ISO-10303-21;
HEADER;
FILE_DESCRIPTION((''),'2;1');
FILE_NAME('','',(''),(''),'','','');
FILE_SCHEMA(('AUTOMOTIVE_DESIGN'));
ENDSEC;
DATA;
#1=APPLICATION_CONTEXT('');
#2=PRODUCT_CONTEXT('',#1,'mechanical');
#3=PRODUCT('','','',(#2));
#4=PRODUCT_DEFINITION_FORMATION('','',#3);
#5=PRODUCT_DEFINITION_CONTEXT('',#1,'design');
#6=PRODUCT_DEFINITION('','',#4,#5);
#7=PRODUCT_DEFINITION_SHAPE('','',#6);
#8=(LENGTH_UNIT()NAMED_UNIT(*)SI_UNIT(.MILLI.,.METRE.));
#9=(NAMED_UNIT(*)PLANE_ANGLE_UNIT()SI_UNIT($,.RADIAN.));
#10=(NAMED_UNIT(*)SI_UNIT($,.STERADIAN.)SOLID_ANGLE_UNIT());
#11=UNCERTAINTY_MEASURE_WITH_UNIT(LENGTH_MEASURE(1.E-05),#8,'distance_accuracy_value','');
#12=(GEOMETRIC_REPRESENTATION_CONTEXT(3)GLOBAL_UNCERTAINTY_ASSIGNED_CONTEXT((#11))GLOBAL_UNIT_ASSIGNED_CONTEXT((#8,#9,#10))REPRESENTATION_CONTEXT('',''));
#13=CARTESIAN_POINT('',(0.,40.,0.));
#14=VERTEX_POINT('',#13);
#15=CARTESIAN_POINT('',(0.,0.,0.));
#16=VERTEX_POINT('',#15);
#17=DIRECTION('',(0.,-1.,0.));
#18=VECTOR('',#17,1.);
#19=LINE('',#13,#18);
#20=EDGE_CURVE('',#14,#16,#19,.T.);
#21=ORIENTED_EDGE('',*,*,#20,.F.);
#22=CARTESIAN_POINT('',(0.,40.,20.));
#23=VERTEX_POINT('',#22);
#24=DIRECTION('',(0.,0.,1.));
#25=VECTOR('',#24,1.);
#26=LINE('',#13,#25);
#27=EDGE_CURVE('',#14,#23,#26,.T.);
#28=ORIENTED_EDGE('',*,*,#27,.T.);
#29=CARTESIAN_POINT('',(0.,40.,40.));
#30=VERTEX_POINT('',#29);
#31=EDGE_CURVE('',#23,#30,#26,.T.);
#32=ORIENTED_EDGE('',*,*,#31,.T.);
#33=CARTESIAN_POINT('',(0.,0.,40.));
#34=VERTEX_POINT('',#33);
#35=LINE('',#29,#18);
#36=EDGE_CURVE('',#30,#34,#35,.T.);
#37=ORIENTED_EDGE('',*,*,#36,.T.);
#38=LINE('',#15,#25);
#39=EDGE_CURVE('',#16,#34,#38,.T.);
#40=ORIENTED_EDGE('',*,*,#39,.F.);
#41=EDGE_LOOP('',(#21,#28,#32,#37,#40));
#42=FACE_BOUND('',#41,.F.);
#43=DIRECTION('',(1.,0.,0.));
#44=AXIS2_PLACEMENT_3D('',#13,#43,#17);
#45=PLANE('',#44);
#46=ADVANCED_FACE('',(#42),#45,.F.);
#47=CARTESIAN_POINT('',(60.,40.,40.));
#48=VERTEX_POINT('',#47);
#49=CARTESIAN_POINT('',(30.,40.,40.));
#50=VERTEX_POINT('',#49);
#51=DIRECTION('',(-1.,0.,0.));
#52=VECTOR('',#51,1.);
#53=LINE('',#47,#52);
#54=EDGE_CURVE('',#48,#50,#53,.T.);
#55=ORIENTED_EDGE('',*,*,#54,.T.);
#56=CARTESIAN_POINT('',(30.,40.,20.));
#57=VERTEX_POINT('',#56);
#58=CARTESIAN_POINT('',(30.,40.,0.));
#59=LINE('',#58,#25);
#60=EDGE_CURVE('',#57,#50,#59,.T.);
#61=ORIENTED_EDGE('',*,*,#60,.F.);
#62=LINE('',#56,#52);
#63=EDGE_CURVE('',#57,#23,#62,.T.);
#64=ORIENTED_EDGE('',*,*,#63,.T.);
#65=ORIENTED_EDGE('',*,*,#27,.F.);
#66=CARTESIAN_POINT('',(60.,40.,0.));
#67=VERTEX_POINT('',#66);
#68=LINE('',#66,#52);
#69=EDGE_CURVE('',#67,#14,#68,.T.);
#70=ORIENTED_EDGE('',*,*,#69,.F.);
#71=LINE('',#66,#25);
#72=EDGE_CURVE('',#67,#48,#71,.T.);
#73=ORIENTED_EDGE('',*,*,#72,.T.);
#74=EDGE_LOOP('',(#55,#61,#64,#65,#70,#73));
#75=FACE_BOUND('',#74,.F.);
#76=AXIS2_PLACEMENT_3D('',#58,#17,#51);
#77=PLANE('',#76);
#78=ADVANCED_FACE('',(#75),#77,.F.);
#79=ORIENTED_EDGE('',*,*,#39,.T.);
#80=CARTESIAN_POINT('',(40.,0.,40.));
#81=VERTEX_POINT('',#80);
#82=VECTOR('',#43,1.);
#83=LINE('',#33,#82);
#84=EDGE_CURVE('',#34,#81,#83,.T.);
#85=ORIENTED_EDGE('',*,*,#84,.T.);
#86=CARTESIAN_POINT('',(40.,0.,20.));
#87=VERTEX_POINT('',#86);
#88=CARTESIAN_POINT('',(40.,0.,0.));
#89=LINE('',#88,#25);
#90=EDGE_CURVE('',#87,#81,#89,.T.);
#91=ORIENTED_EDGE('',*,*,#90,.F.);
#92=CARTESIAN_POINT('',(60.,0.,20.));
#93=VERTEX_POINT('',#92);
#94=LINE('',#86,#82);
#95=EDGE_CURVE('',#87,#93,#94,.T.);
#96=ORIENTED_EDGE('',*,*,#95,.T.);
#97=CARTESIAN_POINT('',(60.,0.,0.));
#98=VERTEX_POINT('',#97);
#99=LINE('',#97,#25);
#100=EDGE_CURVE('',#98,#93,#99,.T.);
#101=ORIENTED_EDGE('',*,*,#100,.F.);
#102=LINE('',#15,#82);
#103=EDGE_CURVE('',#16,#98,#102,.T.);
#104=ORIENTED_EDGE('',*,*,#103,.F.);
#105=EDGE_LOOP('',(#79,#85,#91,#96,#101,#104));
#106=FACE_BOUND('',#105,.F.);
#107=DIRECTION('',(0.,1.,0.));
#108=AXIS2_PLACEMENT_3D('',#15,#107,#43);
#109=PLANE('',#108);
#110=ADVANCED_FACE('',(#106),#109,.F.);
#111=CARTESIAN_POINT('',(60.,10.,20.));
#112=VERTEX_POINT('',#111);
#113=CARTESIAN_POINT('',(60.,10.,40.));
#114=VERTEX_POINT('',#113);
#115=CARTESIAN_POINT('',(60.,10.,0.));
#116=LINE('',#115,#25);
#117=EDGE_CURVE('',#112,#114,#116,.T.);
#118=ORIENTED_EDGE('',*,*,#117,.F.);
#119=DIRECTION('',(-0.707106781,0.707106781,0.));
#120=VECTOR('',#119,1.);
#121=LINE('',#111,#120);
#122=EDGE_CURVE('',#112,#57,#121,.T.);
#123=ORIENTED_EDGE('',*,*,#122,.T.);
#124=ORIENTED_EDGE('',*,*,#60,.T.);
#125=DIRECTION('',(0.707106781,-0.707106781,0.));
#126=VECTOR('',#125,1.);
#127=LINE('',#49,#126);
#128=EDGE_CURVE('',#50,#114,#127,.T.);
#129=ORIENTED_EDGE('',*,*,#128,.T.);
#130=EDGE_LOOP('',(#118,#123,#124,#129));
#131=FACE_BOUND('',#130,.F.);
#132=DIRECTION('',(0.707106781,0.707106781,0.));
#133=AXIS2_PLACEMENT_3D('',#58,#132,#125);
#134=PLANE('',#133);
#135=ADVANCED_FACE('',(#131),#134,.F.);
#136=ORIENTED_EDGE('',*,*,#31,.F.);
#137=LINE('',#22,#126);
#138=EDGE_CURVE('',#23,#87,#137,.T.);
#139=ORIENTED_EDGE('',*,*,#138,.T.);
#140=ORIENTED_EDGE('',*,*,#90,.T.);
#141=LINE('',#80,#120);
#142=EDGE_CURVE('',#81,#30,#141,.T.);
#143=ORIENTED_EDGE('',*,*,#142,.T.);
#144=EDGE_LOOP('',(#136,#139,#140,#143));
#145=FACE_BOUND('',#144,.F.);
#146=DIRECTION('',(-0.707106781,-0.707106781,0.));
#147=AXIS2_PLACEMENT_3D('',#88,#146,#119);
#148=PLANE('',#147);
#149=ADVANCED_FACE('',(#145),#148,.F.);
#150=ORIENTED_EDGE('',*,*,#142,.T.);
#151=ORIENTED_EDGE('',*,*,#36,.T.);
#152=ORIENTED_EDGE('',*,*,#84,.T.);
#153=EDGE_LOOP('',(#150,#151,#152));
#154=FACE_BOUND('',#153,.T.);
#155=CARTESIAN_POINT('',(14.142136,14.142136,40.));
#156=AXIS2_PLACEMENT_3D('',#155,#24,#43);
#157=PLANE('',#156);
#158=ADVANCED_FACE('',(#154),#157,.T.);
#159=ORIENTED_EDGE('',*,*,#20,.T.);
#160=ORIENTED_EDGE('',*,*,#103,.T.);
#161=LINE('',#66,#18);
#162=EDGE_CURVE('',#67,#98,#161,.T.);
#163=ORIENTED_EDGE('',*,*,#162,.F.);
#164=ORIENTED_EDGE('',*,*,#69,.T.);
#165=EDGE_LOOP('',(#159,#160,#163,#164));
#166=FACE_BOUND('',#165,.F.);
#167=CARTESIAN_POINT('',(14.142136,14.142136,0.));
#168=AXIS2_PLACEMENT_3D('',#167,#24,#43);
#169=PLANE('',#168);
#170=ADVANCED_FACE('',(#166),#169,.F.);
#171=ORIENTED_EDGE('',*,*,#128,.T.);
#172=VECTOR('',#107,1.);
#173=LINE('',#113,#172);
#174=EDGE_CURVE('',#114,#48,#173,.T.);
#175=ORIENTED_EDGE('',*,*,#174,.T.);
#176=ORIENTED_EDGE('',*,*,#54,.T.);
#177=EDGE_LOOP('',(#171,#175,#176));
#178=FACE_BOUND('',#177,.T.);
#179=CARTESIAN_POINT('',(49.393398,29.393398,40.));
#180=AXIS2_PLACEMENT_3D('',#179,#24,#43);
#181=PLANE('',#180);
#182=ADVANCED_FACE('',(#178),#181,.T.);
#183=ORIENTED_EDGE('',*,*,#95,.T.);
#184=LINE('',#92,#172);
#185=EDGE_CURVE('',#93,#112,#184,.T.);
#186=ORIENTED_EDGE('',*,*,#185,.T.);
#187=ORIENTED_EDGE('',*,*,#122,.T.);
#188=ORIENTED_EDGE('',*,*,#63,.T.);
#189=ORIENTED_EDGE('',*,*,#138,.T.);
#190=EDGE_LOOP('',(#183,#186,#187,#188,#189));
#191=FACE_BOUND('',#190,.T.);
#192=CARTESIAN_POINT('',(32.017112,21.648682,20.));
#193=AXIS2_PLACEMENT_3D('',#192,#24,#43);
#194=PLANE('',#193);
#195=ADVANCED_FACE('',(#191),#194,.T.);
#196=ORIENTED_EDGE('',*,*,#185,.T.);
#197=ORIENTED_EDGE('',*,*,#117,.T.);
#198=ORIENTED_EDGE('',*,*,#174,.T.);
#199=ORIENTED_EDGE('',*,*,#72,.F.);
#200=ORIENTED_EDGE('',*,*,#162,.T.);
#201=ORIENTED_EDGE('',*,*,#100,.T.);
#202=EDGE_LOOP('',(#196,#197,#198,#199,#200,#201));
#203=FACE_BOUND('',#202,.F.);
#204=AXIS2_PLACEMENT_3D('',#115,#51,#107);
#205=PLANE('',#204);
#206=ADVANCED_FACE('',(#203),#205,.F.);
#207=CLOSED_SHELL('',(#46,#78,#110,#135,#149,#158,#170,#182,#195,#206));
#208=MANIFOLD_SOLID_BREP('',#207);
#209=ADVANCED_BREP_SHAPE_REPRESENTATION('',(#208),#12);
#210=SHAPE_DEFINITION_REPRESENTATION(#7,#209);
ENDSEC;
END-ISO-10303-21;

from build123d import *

# Parameters (mm, degrees)
F1_DEPTH = 20
F2_DEPTH = 40


with BuildPart() as f1:
    # F0 (on Top) → F1 (new body)
    with BuildSketch(Plane.XY):
        Polygon((0, 40), (40, 0), (60, 0), (60, 10), (30, 40), align=None)
    extrude(amount=F1_DEPTH)

    # F0 (on Top) → F2 (join)
    with BuildSketch(Plane.XY):
        Polygon((0, 40), (0, 0), (40, 0), align=None)
        Polygon((60, 40), (30, 40), (60, 10), align=None)
    extrude(amount=F2_DEPTH)


solid = f1.part
